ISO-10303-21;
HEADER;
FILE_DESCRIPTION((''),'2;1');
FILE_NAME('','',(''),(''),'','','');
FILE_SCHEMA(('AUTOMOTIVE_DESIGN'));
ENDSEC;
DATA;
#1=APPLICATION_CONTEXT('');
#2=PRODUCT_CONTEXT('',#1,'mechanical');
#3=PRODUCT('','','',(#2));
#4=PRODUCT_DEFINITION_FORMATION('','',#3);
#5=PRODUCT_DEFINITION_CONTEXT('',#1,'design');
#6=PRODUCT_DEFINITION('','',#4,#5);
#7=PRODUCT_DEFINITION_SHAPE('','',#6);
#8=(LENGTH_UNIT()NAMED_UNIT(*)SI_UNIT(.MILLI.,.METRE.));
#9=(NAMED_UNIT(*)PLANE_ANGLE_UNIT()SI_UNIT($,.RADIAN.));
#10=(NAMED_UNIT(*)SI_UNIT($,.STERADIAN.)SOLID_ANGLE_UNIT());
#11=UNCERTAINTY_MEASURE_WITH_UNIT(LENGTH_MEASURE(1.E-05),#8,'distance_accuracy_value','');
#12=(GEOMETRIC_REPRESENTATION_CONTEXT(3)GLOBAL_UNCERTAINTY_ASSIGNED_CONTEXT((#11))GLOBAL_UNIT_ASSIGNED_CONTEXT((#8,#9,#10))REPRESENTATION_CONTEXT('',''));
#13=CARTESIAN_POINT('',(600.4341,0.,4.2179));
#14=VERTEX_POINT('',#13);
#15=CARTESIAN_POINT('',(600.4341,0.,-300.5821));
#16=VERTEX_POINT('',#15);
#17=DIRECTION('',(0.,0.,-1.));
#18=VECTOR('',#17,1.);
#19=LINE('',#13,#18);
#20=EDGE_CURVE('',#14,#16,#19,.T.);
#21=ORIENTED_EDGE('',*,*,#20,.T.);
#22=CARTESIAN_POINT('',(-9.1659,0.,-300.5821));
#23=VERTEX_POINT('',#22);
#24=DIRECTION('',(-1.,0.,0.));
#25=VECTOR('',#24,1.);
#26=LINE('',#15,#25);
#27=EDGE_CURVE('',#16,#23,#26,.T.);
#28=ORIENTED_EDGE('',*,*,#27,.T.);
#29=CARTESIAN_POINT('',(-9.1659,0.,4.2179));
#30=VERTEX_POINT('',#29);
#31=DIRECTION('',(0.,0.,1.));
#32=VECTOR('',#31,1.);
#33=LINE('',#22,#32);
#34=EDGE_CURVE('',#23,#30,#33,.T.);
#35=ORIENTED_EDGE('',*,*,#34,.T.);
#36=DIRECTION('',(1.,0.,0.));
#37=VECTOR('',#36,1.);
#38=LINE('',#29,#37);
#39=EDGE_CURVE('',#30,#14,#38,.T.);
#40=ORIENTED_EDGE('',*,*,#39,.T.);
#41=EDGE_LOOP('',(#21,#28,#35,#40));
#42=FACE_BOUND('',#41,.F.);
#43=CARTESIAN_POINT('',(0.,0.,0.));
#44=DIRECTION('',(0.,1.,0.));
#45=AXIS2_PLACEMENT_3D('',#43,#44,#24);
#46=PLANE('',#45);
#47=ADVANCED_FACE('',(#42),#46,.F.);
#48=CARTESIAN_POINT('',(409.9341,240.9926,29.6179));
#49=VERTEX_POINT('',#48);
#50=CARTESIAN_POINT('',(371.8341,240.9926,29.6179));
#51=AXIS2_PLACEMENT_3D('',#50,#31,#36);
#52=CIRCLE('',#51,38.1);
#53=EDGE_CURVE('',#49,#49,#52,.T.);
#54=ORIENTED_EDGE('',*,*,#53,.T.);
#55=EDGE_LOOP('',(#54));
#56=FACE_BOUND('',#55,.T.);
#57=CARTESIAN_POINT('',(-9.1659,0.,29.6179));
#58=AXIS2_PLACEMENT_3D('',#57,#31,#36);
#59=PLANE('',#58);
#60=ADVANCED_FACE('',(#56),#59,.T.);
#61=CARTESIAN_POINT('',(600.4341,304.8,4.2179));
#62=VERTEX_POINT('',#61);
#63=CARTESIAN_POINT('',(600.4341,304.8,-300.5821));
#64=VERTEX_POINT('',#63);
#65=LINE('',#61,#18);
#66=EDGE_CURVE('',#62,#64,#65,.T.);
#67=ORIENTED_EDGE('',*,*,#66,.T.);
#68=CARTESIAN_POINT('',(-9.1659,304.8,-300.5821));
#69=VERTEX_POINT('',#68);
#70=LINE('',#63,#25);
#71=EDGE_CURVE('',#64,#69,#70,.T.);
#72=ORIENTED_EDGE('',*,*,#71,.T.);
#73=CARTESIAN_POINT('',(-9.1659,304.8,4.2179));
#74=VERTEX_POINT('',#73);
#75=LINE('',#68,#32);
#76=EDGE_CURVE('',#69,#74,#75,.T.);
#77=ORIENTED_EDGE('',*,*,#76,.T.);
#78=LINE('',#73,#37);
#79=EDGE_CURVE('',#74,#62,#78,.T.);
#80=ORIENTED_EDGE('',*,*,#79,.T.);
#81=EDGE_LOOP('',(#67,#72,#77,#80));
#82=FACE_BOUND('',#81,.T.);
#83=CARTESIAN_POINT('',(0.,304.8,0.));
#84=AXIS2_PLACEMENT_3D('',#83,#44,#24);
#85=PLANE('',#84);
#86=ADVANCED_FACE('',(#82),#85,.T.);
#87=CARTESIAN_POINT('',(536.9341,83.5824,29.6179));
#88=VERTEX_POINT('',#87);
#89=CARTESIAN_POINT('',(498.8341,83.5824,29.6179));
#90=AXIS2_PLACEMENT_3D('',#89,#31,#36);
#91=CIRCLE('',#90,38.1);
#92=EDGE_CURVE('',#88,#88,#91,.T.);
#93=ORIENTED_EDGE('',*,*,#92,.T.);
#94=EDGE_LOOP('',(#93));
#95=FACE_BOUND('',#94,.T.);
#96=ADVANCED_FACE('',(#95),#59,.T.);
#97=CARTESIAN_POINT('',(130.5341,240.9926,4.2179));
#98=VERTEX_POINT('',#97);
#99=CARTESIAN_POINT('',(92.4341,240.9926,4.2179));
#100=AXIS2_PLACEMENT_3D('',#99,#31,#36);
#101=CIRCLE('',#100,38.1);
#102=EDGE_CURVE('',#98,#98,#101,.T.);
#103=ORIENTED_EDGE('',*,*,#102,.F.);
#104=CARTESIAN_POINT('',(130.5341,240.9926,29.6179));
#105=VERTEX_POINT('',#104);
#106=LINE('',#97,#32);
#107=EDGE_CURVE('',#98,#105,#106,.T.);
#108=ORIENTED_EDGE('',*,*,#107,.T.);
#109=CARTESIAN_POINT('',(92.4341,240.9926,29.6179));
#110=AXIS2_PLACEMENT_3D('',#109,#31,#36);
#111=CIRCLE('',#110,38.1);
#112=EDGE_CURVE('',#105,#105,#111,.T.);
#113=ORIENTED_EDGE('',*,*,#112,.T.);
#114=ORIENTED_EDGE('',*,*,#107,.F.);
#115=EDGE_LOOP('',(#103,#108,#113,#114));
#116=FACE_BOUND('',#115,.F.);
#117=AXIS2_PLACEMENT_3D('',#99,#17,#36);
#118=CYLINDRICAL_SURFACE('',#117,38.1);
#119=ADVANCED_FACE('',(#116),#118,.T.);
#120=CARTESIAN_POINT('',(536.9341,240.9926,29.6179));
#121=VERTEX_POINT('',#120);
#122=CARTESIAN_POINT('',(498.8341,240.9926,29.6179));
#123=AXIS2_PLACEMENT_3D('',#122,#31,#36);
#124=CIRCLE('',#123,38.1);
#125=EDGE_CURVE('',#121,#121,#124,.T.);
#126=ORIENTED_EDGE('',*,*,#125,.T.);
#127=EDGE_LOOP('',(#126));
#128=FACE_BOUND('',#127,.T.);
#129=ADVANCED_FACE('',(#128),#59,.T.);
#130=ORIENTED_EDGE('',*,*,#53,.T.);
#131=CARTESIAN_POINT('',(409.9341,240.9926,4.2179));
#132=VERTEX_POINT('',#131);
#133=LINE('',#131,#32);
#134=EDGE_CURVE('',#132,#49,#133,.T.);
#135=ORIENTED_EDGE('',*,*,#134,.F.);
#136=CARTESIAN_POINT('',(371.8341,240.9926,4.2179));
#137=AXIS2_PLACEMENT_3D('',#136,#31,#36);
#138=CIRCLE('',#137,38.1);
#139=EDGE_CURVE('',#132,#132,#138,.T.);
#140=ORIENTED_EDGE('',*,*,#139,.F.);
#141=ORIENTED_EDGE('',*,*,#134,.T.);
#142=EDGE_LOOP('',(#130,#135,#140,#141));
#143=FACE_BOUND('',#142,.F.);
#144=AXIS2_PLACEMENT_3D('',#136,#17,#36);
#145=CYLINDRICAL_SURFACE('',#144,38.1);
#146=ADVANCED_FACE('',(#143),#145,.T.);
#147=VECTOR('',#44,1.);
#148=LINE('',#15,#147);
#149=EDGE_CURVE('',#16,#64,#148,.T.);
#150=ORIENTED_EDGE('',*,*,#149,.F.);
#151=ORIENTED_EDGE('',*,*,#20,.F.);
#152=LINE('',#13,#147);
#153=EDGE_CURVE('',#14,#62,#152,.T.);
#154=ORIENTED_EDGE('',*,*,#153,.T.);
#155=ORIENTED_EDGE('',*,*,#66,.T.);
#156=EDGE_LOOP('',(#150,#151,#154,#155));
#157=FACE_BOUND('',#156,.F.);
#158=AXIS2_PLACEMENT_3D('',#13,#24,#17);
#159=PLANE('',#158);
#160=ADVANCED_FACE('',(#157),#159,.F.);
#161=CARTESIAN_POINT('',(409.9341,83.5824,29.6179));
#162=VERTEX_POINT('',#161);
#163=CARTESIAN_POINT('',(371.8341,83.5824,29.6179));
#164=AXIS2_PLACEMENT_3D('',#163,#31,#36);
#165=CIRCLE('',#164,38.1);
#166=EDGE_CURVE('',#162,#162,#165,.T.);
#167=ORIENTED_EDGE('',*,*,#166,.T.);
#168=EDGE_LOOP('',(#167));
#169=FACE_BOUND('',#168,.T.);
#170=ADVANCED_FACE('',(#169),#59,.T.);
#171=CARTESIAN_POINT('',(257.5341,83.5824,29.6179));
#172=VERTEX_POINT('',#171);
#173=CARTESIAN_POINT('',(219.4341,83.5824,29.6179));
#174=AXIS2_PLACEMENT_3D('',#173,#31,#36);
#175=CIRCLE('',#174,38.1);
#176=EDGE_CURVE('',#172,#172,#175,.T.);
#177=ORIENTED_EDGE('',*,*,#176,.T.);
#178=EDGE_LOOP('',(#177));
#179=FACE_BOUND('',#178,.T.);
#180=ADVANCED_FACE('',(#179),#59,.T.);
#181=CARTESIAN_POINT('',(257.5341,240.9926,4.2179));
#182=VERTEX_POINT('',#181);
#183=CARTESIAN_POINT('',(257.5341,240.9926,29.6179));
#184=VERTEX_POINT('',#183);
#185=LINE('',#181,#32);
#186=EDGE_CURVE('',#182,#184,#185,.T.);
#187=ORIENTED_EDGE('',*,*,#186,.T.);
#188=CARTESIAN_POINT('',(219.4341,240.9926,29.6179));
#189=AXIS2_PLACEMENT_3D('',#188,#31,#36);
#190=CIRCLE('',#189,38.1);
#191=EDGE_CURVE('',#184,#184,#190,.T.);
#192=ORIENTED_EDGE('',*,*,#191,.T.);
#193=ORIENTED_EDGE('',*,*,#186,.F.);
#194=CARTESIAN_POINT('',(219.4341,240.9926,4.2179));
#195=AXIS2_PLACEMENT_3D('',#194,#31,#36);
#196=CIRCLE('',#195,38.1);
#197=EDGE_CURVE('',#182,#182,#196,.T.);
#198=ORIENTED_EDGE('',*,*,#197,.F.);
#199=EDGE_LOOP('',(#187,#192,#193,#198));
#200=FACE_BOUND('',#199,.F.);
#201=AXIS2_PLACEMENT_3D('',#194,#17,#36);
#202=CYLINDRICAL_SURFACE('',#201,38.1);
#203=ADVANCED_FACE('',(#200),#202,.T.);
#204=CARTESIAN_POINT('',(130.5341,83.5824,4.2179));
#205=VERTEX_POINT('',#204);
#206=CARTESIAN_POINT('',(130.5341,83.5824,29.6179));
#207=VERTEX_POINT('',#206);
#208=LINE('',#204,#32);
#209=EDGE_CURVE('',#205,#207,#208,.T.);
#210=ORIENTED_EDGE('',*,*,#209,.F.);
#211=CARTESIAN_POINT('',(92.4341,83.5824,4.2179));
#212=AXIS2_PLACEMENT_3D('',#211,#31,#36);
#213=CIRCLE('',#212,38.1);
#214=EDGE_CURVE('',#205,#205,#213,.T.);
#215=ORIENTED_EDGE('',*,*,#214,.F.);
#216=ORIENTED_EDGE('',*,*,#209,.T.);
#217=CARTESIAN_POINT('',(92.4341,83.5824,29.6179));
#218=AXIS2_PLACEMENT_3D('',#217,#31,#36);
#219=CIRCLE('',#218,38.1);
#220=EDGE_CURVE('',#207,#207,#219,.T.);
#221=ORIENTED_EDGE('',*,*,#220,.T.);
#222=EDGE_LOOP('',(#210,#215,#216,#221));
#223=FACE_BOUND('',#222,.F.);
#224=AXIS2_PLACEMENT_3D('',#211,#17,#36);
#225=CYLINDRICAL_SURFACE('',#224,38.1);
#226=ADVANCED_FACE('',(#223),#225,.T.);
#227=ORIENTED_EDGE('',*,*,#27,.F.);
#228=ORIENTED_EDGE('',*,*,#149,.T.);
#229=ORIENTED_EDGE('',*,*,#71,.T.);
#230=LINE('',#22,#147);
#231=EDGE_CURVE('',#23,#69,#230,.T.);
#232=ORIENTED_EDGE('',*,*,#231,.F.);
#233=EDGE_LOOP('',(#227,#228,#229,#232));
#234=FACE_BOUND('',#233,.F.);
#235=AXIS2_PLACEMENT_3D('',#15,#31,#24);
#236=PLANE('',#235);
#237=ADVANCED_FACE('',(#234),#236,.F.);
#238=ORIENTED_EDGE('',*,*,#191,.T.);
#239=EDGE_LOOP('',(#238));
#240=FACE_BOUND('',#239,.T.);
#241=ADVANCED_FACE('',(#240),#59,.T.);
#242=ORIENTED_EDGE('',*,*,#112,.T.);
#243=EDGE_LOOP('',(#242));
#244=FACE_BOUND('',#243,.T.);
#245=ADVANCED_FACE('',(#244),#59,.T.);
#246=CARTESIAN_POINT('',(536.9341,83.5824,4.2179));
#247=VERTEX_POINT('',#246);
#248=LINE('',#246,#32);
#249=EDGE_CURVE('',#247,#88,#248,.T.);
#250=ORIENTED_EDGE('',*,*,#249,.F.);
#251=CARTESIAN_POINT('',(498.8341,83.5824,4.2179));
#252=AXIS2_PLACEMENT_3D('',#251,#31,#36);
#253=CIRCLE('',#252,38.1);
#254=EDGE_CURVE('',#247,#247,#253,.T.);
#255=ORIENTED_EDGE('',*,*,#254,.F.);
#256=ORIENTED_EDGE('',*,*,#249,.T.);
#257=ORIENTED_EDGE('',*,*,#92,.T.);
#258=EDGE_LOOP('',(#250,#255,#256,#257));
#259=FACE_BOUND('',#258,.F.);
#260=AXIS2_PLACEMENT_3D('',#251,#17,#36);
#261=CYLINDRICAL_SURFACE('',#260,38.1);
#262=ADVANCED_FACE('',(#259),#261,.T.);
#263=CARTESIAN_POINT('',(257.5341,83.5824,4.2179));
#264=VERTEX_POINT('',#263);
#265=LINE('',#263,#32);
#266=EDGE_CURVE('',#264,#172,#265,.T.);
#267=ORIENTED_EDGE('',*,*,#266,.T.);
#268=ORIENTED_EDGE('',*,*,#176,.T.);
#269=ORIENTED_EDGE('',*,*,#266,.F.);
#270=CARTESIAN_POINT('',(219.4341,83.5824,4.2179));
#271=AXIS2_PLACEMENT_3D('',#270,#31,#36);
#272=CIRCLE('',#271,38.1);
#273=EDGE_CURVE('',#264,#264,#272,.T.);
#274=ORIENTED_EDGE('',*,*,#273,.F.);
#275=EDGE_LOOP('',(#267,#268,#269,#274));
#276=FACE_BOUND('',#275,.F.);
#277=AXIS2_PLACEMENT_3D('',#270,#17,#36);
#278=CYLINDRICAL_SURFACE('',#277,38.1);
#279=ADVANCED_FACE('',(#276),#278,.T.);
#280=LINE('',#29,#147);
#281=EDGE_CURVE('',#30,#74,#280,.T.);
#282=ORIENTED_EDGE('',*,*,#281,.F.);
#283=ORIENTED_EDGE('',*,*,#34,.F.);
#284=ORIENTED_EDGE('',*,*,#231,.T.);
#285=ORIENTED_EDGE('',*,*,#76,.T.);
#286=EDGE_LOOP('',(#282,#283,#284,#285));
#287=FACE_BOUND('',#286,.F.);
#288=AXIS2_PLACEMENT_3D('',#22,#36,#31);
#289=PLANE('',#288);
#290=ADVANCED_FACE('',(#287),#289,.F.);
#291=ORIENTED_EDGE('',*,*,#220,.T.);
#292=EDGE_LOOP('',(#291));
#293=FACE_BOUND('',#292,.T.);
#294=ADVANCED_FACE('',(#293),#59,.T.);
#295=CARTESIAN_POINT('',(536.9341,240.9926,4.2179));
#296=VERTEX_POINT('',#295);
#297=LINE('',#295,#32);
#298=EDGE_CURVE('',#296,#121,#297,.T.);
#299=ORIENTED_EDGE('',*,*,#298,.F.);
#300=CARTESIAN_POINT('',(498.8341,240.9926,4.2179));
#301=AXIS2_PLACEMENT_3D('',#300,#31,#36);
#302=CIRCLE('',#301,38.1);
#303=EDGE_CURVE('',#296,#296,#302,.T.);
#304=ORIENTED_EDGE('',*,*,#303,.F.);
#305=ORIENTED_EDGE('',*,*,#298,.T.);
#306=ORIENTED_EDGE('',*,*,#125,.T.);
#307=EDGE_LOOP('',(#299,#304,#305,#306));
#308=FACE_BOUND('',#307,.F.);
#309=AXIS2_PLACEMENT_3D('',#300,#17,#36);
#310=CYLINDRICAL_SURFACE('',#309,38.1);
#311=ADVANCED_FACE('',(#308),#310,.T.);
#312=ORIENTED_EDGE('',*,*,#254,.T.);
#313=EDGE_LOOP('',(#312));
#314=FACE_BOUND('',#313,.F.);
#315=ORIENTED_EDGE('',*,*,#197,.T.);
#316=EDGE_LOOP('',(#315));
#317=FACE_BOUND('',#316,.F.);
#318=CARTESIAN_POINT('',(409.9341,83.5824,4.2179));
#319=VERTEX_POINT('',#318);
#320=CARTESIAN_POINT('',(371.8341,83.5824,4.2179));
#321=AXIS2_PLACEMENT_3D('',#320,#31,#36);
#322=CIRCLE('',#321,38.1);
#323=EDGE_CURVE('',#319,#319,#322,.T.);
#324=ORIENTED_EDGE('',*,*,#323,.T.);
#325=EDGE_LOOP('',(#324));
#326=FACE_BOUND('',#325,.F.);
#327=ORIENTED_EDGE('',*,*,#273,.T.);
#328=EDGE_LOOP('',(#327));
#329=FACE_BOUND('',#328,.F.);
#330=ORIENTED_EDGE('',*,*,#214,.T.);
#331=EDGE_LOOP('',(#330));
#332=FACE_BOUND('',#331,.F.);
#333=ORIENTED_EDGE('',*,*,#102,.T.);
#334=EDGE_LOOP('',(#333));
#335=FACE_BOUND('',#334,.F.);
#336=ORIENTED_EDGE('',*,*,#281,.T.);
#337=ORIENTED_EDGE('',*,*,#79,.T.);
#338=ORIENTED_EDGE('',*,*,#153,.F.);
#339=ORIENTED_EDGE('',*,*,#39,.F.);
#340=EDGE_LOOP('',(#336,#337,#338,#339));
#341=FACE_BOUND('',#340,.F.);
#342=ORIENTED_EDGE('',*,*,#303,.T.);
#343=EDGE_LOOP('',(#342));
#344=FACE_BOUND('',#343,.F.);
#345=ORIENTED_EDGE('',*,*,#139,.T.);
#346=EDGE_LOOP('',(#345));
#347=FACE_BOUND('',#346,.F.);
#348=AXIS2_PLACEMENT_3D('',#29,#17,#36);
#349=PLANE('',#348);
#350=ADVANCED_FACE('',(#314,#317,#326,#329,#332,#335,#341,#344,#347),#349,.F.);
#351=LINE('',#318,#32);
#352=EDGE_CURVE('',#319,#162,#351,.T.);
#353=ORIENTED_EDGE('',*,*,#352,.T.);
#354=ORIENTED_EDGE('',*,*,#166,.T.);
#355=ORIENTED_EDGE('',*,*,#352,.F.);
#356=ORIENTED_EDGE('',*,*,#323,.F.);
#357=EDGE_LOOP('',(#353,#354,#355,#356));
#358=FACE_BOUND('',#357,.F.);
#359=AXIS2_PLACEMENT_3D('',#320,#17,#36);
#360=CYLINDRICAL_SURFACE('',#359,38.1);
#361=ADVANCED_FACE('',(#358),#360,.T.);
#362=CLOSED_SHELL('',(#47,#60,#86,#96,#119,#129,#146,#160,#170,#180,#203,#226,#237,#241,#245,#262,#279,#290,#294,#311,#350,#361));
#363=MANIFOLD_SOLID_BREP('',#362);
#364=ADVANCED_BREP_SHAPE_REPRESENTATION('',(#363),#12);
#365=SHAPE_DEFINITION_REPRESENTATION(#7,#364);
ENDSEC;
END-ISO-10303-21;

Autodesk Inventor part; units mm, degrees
ref_plane "YZ Plane" through (0, 0, 0) normal (1, 0, 0) x (0, 1, 0)
ref_plane "XZ Plane" through (0, 0, 0) normal (0, 1, 0) x (-1, 0, 0)
ref_plane "XY Plane" through (0, 0, 0) normal (0, 0, 1) x (1, 0, 0)
sketch "Sketch1" plane through (0, 0, 0) normal (0, 1, 0) x (-1, 0, 0)
  line L0 (9.1659, 4.2179) -> (-600.4341, 4.2179)
  line L1 (-600.4341, 4.2179) -> (-600.4341, -300.5821)
  line L2 (-600.4341, -300.5821) -> (9.1659, -300.5821)
  line L3 (9.1659, -300.5821) -> (9.1659, 4.2179)
  point P0 (0, 0)
  dimension "d0" = 609.6
  dimension "d1" = 304.8
extrude "Extrusion1" add sketch "Sketch1" along normal blind 304.8
sketch "Sketch2" plane through (-9.1659, 0, 4.2179) normal (0, 0, 1) x (1, 0, 0)
  circle A0 centre (101.6, 83.5824) radius 38.1
  circle A1 centre (228.6, 83.5824) radius 38.1
  circle A2 centre (381, 83.5824) radius 38.1
  circle A3 centre (508, 83.5824) radius 38.1
  circle A4 centre (508, 240.9926) radius 38.1
  circle A5 centre (381, 240.9926) radius 38.1
  circle A6 centre (228.6, 240.9926) radius 38.1
  circle A7 centre (101.6, 240.9926) radius 38.1
  line L0 (609.6, 0) -> (609.6, 304.8) projected
  line L1 (0, 0) -> (0, 304.8) projected
  point P0 (9.1659, 0)
  dimension "d4" = 76.2
  dimension "d5" = 76.2
  dimension "d6" = 76.2
  dimension "d7" = 76.2
  dimension "d8" = 76.2
  dimension "d9" = 76.2
  dimension "d10" = 76.2
  dimension "d11" = 76.2
  dimension "d12" = 101.6
  dimension "d13" = 127
  dimension "d14" = 101.6
  dimension "d15" = 127
extrude "Extrusion2" add sketch "Sketch2" along normal blind 25.4
properties part number "mapButtonStation"
